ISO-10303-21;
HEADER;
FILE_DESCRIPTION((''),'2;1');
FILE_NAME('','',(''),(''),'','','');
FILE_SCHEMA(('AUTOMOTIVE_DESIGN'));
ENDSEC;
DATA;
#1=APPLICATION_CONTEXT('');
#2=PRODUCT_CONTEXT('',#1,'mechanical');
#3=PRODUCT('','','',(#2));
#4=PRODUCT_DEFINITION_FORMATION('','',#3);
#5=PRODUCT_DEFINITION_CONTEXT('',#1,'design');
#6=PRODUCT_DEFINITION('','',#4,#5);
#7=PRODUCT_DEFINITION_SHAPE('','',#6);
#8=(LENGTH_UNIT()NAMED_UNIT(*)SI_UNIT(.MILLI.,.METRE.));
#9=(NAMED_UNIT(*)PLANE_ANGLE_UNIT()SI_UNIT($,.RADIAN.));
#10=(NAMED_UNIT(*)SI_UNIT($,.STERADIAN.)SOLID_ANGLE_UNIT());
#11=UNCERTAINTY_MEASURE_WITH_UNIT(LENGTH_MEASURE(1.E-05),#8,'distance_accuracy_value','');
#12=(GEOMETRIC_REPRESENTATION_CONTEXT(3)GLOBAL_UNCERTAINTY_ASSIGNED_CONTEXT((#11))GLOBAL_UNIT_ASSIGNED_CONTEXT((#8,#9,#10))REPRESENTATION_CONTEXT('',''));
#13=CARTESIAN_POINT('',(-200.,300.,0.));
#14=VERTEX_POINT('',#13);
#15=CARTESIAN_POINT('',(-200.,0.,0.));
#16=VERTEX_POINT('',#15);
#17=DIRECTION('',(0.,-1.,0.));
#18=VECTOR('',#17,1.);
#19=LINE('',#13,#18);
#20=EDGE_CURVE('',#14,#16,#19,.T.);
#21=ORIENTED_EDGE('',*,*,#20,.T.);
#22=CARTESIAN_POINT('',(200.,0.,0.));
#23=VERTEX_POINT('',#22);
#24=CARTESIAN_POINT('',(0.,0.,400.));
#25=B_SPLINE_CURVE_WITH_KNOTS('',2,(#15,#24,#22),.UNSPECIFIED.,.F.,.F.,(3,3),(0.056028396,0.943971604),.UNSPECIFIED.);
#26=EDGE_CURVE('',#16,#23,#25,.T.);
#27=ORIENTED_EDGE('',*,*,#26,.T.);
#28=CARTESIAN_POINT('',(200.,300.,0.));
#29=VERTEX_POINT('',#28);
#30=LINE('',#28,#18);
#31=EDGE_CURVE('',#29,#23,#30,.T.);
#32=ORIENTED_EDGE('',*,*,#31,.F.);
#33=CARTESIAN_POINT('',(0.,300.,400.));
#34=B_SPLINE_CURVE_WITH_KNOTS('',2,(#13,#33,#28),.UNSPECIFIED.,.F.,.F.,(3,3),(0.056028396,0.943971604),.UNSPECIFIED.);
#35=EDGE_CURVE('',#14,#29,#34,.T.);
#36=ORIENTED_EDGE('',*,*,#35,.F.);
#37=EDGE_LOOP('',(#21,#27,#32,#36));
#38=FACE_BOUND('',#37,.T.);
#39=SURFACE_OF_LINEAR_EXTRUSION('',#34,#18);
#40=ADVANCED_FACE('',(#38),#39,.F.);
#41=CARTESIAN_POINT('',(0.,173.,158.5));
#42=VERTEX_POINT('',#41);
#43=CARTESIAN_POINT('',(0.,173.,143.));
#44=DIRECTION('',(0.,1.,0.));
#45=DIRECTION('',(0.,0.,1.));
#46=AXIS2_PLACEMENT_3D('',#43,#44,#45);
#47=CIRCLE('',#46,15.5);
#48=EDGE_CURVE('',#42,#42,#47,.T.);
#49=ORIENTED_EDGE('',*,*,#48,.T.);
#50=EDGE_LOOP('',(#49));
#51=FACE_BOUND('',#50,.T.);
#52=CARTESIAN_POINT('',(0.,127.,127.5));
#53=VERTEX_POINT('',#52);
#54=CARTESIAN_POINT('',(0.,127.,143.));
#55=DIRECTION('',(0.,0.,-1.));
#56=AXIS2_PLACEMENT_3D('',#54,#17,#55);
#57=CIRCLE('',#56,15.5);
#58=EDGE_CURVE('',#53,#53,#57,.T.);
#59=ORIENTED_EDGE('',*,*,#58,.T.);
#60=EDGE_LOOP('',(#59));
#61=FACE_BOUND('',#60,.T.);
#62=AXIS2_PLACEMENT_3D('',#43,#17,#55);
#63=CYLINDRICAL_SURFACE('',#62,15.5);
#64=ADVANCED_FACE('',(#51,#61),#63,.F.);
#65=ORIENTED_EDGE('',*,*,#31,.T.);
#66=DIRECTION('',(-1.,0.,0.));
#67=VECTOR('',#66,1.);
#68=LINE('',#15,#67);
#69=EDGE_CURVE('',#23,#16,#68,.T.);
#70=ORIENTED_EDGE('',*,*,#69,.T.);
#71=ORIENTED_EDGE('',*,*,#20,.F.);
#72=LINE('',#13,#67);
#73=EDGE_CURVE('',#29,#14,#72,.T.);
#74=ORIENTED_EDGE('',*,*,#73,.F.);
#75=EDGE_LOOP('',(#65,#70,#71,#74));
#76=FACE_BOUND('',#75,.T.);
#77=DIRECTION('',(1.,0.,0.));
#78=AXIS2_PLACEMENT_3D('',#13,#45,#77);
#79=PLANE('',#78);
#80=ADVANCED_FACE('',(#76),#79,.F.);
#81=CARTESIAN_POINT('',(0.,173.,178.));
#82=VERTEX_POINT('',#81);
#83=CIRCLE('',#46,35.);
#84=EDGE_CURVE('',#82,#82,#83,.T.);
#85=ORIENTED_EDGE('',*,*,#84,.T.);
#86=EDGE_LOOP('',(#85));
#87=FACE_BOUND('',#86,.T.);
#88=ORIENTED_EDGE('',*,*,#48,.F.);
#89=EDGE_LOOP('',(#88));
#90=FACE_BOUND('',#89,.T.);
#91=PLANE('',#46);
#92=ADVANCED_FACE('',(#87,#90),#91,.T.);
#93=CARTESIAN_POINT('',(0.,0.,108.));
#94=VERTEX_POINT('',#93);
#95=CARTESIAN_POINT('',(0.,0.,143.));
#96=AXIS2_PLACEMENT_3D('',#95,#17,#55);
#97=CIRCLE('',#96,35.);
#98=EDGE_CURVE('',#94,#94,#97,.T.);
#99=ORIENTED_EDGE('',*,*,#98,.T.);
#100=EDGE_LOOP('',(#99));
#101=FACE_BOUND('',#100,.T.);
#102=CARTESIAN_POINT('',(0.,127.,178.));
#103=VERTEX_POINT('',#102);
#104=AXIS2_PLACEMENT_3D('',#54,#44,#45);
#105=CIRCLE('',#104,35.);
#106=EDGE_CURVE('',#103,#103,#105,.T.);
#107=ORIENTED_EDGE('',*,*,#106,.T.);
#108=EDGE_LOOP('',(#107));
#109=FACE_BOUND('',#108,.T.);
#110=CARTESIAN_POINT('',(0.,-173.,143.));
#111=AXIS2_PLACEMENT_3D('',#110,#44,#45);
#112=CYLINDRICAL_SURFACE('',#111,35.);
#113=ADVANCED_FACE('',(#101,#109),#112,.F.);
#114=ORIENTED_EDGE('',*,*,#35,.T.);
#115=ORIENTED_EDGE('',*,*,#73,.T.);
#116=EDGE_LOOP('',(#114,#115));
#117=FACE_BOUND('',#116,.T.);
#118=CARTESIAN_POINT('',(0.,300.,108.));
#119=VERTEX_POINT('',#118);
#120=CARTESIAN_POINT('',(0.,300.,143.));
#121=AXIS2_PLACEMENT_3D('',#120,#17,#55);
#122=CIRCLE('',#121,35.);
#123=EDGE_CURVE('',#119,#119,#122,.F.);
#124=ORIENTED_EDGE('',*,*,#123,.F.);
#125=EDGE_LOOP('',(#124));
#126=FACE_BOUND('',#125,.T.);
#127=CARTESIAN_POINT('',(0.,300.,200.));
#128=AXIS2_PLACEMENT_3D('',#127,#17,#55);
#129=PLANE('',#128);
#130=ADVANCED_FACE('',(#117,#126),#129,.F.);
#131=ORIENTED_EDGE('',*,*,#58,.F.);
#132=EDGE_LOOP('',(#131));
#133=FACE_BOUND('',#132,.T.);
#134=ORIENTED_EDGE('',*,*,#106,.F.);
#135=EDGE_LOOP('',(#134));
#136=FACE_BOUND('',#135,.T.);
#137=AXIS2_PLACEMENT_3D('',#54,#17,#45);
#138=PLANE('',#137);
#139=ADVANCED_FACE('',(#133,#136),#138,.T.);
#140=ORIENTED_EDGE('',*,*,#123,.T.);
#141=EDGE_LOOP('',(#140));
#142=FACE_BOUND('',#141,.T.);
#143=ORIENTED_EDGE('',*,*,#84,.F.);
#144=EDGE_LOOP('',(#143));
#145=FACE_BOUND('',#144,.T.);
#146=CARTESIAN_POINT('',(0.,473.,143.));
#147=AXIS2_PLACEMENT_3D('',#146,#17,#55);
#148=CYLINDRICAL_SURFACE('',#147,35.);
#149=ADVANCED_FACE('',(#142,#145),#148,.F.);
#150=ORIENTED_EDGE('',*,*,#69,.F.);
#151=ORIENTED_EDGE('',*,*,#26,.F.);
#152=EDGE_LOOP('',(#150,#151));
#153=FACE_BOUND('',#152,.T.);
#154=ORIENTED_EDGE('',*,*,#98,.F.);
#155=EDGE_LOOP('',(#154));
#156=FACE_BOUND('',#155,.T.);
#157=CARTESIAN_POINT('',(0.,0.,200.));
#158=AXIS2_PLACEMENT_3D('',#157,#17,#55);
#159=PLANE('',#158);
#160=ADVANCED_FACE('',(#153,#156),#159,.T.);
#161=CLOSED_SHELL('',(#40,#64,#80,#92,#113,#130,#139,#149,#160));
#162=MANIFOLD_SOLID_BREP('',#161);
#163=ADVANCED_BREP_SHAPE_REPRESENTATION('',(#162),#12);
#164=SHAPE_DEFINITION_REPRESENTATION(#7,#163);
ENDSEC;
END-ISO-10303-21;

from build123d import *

# Parameters (mm, degrees)
BOSS_EXTRUDE1_DEPTH     = 300
SKETCH3_R               = 15.5
CUT_EXTRUDE1_DEPTH      = 23
CUT_EXTRUDE1_DEPTH_BACK = 23
SKETCH4_R               = 35
CUT_EXTRUDE3_DEPTH      = 300


with BuildPart() as part:
    # Sketch1 → Boss-Extrude1 (new body)
    with BuildSketch(Plane(origin=(0, 0, 0), x_dir=(1, 0, 0), z_dir=(0, 1, 0))):
        with BuildLine():
            Line((-200, 1e-09), (200, 1e-09))
            add(Edge.make_bspline(
                [(-200, 1e-09), (0, -400.000000001), (200, 1e-09)],
                knots=[0.056028396, 0.056028396, 0.056028396, 0.943971604, 0.943971604, 0.943971604], degree=2))
        make_face()
    extrude(amount=BOSS_EXTRUDE1_DEPTH)

    # Sketch3 → Cut-Extrude1 (cut, two sides)
    with BuildSketch(Plane(origin=(0, 150, 0), x_dir=(1, 0, 0), z_dir=(0, 1, 0))) as cut_extrude1_sk:
        with Locations((0, -142.999999999)):
            Circle(SKETCH3_R)
    extrude(amount=CUT_EXTRUDE1_DEPTH, mode=Mode.SUBTRACT)
    extrude(cut_extrude1_sk.sketch, amount=-CUT_EXTRUDE1_DEPTH_BACK, mode=Mode.SUBTRACT)

    # Sketch4 → Cut-Extrude3 (cut)
    with BuildSketch(Plane(origin=(0, 173, 0), x_dir=(1, 0, 0), z_dir=(0, 1, 0))):
        with Locations((0, -142.999999999)):
            Circle(SKETCH4_R)
    cut_extrude3 = extrude(amount=CUT_EXTRUDE3_DEPTH, mode=Mode.SUBTRACT)

    # Mirror1: Cut-Extrude3 across plane
    add(cut_extrude3.mirror(Plane.ZX.offset(150)), mode=Mode.SUBTRACT)


solid = part.part
